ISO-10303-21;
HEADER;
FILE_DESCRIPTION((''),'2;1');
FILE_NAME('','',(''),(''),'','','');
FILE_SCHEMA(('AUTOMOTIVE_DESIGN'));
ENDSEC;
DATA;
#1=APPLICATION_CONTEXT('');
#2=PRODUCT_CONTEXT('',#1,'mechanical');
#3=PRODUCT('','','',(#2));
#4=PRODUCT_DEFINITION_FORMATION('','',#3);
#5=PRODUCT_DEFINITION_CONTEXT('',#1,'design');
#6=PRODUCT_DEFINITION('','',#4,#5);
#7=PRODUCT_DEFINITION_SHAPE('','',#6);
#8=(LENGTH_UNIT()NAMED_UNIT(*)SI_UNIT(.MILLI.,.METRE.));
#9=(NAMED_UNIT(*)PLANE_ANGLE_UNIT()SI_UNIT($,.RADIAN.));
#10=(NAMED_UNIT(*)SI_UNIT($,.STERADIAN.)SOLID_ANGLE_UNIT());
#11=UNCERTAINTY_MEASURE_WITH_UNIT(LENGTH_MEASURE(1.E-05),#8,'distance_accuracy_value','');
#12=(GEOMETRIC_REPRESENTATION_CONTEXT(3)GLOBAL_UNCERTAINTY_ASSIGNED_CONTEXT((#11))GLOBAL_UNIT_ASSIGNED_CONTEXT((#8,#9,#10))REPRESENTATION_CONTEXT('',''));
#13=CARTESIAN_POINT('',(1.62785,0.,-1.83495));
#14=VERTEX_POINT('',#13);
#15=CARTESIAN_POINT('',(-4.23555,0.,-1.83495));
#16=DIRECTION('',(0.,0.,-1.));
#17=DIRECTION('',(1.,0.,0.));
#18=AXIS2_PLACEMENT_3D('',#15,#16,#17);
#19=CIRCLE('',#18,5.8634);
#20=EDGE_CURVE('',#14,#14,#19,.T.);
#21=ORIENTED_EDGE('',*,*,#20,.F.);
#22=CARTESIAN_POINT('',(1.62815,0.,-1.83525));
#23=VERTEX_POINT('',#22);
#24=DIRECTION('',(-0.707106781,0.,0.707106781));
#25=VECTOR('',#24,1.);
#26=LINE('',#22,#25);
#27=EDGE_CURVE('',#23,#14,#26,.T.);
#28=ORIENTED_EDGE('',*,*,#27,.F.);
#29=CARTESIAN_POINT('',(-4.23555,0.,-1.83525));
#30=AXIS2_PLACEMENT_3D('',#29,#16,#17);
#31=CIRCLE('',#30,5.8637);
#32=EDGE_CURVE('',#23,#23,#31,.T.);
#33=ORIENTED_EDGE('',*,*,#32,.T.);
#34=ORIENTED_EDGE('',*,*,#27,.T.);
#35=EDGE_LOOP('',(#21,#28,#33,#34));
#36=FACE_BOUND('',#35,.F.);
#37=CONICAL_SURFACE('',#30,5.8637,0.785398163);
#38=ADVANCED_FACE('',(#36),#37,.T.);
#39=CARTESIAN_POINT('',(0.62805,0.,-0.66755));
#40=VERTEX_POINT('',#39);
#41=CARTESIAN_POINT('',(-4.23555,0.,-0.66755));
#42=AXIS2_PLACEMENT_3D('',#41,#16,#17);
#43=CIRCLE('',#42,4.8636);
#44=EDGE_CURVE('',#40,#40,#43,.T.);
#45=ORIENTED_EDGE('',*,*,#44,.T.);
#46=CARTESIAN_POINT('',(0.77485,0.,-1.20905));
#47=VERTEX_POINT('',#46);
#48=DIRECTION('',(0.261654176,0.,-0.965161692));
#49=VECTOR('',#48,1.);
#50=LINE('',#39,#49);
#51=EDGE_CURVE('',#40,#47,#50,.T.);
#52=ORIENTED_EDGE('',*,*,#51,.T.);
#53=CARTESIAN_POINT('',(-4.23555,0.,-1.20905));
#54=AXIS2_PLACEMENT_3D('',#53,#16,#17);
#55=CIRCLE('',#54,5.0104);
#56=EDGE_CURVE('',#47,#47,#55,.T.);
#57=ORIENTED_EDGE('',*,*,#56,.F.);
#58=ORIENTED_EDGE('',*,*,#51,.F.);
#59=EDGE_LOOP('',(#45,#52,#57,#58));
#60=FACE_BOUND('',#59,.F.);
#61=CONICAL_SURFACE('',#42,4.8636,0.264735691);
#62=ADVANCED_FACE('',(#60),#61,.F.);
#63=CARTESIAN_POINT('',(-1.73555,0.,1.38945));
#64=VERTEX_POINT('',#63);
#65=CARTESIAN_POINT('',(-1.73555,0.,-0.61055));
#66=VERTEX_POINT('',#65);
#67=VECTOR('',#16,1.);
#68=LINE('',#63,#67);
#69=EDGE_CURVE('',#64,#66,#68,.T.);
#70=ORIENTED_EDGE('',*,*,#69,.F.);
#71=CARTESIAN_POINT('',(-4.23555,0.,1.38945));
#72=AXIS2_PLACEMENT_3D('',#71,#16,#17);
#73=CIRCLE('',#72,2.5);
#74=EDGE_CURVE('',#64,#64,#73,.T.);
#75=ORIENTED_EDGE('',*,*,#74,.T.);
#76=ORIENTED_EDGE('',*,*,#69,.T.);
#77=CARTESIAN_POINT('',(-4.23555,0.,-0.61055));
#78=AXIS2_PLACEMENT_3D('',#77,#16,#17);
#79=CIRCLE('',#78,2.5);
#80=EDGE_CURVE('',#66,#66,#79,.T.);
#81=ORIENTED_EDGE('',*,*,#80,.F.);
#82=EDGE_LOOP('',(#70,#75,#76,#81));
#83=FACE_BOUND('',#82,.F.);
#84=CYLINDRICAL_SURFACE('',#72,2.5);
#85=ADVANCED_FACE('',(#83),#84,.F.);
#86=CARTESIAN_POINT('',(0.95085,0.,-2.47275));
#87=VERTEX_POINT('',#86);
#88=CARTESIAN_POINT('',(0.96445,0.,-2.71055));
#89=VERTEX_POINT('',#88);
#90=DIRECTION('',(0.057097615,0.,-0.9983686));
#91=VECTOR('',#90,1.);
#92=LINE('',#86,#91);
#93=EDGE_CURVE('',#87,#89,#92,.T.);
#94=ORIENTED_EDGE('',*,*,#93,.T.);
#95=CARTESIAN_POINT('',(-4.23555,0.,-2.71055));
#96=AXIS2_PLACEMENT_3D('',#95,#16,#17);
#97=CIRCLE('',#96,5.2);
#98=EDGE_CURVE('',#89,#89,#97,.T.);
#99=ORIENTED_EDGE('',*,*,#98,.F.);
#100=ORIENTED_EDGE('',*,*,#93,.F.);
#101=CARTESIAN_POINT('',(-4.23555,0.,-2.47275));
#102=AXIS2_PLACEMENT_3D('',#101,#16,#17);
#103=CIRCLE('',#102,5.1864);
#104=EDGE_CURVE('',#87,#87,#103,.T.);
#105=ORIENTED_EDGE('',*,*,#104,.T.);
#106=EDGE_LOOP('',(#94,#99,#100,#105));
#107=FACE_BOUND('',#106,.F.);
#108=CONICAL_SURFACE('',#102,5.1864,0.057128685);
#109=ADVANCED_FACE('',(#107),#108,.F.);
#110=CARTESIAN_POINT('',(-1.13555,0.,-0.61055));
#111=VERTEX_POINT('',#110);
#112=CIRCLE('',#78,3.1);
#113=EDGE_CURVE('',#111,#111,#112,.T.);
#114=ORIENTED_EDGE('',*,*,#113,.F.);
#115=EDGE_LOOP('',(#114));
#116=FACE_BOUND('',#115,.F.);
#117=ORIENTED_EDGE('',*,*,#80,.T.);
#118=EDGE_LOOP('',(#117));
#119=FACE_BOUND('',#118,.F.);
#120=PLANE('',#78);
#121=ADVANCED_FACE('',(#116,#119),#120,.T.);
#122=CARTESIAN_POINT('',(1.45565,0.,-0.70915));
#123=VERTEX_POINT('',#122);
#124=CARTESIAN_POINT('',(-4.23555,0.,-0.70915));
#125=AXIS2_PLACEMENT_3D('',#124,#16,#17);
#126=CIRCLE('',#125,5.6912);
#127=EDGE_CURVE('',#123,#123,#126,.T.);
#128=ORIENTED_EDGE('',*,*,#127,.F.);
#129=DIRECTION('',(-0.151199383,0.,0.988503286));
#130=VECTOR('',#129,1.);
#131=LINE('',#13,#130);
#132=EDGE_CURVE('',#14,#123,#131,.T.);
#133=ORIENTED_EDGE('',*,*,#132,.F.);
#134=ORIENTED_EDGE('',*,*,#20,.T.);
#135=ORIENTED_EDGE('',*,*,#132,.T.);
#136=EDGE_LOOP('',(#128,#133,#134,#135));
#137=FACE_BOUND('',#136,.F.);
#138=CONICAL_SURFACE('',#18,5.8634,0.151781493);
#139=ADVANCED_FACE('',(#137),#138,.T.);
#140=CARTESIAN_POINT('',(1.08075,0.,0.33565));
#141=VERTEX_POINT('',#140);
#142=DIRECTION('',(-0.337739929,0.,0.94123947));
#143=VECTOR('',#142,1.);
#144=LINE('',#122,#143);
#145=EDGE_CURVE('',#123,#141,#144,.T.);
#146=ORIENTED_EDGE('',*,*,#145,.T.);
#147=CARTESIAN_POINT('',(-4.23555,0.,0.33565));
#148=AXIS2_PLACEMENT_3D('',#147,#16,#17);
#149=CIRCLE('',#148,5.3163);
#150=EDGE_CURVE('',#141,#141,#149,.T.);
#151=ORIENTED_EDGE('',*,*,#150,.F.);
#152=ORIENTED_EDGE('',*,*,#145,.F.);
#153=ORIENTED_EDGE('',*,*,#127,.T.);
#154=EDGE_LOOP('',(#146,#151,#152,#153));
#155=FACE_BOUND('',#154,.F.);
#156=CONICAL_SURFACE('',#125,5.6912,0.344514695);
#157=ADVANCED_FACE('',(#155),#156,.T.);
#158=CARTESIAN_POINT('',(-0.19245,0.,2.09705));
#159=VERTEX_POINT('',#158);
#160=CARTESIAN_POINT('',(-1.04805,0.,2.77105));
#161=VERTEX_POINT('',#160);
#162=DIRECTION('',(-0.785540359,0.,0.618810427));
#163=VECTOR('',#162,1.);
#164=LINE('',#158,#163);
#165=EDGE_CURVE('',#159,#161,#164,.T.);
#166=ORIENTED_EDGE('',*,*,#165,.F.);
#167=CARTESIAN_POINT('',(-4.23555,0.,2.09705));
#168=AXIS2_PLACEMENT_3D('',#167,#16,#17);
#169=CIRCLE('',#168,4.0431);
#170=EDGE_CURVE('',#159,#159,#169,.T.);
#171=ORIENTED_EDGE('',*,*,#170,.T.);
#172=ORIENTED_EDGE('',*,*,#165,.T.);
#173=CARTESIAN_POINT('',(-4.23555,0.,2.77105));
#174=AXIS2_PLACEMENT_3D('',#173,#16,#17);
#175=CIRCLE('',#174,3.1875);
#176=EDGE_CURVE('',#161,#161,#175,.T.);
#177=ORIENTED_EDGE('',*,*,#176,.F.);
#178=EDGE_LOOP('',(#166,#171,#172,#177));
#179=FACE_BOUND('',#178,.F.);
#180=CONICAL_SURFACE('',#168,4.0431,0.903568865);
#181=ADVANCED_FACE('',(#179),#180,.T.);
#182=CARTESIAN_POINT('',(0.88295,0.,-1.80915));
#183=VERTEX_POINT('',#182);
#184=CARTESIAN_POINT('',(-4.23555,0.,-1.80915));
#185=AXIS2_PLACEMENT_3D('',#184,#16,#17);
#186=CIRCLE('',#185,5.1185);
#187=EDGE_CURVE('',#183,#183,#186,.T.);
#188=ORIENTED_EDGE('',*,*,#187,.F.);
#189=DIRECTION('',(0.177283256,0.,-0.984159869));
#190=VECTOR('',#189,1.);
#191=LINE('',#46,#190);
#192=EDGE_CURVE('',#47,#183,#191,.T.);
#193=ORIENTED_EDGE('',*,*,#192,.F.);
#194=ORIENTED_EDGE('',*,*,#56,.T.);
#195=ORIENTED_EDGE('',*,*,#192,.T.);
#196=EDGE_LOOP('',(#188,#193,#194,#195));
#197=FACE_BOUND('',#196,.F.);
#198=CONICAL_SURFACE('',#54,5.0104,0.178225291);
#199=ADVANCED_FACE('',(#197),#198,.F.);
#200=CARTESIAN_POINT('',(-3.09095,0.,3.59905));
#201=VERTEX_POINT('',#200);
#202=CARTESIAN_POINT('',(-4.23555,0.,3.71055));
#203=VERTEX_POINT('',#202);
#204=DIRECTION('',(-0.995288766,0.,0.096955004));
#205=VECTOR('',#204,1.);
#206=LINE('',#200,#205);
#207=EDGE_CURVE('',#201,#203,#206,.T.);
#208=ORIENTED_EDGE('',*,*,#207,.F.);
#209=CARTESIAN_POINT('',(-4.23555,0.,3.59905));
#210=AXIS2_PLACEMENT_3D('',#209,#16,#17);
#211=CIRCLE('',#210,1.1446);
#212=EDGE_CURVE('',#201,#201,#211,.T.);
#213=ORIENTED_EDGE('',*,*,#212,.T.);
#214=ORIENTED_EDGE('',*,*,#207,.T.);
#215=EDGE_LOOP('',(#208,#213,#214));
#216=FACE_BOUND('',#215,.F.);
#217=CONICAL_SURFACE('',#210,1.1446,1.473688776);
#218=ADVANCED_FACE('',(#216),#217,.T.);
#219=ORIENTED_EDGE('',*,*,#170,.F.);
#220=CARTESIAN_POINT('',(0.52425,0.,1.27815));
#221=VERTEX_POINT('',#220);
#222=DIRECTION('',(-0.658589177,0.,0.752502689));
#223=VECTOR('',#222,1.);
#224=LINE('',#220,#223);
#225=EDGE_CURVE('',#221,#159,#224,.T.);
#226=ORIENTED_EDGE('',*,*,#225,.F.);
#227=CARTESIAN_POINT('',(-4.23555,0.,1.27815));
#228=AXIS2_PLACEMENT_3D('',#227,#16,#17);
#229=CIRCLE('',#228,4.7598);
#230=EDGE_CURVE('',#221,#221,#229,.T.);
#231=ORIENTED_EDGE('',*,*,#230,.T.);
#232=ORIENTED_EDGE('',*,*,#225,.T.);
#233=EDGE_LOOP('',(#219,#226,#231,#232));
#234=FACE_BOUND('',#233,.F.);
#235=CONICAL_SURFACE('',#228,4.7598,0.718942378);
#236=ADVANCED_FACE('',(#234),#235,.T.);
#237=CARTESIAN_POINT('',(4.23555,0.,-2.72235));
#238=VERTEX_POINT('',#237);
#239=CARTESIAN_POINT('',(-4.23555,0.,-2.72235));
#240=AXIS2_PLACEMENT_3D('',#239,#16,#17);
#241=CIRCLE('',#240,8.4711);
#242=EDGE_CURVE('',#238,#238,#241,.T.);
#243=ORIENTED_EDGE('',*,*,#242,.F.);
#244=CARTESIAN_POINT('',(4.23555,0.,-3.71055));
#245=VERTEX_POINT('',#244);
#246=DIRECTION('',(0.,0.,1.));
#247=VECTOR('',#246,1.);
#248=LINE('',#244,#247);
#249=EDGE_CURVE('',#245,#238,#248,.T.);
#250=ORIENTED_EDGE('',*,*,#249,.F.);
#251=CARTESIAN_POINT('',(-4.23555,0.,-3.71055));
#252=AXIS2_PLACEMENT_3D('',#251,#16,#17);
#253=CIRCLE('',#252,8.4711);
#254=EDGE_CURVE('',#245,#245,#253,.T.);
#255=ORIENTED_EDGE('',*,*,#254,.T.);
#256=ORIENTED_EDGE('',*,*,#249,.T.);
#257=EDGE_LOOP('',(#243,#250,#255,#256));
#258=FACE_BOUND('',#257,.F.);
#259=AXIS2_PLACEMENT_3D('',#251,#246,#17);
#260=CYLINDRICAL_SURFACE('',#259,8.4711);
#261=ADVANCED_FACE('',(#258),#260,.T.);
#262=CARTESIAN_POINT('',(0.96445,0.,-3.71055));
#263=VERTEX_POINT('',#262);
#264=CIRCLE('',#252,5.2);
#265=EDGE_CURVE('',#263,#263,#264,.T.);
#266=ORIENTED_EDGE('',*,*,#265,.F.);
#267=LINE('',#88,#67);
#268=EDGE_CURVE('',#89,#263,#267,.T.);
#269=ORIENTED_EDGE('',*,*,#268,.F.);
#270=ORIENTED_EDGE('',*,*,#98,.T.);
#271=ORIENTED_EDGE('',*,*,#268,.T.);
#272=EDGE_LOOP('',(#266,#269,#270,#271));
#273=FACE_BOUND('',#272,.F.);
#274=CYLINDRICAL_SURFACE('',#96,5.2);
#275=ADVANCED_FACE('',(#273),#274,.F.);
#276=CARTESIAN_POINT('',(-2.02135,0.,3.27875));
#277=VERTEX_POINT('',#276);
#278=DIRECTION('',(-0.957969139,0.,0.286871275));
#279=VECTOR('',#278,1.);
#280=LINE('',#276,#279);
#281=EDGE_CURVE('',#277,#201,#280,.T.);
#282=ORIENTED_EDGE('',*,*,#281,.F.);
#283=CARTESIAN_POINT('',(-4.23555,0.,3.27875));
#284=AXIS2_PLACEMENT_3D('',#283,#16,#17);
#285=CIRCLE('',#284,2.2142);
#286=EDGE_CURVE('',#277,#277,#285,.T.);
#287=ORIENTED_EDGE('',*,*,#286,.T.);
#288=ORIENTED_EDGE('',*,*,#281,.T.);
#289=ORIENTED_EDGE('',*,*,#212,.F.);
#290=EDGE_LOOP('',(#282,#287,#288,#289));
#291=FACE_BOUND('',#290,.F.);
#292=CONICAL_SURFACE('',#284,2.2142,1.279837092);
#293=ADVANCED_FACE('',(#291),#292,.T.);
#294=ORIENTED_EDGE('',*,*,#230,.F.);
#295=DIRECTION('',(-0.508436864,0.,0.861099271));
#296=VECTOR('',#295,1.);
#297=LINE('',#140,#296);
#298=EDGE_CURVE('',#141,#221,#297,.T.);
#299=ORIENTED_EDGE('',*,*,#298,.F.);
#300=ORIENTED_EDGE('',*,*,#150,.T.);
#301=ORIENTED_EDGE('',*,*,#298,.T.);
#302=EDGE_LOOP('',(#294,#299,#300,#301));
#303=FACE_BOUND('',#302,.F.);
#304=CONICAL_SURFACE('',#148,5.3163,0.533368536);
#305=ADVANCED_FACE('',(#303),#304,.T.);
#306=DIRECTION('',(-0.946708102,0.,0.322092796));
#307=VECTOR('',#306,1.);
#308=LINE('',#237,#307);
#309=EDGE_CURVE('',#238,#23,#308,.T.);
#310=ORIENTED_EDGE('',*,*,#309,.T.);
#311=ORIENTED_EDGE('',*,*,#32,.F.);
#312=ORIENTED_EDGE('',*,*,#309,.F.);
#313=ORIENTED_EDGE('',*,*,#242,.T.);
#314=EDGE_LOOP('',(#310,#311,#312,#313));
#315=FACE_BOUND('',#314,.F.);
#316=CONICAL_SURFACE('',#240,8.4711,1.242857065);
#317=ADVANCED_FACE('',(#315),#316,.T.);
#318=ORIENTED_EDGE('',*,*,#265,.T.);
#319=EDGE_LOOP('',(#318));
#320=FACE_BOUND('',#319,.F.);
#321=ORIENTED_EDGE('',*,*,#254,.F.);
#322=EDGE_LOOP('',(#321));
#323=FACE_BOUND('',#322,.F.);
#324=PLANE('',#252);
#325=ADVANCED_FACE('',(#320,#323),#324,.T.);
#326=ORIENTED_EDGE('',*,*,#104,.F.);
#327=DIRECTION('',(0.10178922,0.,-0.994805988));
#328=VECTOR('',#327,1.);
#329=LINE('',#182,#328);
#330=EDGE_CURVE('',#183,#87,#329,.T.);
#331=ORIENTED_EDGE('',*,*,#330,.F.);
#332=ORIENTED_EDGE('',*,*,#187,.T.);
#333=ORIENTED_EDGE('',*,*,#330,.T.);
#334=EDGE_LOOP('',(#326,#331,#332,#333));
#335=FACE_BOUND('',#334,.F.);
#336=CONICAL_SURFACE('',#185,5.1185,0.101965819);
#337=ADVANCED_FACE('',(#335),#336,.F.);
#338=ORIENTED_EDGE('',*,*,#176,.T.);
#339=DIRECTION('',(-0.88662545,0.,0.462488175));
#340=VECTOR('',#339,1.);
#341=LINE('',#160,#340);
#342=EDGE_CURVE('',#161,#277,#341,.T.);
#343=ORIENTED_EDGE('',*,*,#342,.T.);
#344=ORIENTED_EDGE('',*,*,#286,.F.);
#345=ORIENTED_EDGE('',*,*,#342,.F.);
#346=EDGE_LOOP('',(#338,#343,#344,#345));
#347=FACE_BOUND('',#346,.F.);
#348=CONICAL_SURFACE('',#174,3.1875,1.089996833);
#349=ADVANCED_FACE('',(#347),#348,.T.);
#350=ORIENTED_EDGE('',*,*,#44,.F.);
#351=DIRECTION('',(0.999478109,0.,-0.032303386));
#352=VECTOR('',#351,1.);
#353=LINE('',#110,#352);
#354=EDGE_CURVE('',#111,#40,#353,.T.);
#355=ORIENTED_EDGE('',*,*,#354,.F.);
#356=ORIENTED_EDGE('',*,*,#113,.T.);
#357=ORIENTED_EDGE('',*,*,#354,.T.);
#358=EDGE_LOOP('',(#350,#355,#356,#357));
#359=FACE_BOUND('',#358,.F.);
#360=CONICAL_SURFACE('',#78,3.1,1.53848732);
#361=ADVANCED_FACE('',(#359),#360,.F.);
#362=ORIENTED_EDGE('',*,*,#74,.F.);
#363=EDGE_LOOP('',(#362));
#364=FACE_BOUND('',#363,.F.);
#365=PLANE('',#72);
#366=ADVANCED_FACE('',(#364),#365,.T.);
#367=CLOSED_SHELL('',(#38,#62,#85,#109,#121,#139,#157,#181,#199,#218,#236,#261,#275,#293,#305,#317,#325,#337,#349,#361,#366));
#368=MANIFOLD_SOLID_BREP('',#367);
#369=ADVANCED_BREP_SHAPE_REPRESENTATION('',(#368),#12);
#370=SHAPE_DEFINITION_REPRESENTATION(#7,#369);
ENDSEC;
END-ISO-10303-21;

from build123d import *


with BuildPart() as f1:
    # F0 (on Front) → F1 (revolve)
    with BuildSketch(Plane.XZ):
        Polygon((0.96445, -3.71055), (4.23555, -3.71055), (4.23555, -2.72235), (1.62815, -1.83525), (1.62785, -1.83495), (1.45565, -0.70915), (1.08075, 0.33565), (0.52425, 1.27815), (-0.19245, 2.09705), (-1.04805, 2.77105), (-2.02135, 3.27875), (-3.09095, 3.59905), (-4.23555, 3.71055), (-4.23555, 1.38945), (-1.73555, 1.38945), (-1.73555, -0.61055), (-1.13555, -0.61055), (-1.13555, 1.12035), (-1.12305, 1.20805), (-1.08725, 1.28555), (-1.03045, 1.34925), (-0.95485, 1.39555), (-0.86945, 1.41905), (-0.78415, 1.41705), (-0.70315, 1.39025), (-0.63055, 1.33945), (-0.31415, 1.01465), (-0.02845, 0.65655), (0.22485, 0.26025), (0.44425, -0.17945), (0.62805, -0.66755), (0.77485, -1.20905), (0.88295, -1.80915), (0.95085, -2.47275), (0.96445, -2.71055), align=None)
        Polygon((-1.13555, -0.61055), (0.62805, -0.66755), (0.44425, -0.17945), (0.22485, 0.26025), (-0.02845, 0.65655), (-0.31415, 1.01465), (-0.63055, 1.33945), (-0.70315, 1.39025), (-0.78415, 1.41705), (-0.86945, 1.41905), (-0.95485, 1.39555), (-1.03045, 1.34925), (-1.08725, 1.28555), (-1.12305, 1.20805), (-1.13555, 1.12035), align=None)
    revolve(axis=Axis((-4.23555, 0, 2.55), (0, 0, -1)))


solid = f1.part
